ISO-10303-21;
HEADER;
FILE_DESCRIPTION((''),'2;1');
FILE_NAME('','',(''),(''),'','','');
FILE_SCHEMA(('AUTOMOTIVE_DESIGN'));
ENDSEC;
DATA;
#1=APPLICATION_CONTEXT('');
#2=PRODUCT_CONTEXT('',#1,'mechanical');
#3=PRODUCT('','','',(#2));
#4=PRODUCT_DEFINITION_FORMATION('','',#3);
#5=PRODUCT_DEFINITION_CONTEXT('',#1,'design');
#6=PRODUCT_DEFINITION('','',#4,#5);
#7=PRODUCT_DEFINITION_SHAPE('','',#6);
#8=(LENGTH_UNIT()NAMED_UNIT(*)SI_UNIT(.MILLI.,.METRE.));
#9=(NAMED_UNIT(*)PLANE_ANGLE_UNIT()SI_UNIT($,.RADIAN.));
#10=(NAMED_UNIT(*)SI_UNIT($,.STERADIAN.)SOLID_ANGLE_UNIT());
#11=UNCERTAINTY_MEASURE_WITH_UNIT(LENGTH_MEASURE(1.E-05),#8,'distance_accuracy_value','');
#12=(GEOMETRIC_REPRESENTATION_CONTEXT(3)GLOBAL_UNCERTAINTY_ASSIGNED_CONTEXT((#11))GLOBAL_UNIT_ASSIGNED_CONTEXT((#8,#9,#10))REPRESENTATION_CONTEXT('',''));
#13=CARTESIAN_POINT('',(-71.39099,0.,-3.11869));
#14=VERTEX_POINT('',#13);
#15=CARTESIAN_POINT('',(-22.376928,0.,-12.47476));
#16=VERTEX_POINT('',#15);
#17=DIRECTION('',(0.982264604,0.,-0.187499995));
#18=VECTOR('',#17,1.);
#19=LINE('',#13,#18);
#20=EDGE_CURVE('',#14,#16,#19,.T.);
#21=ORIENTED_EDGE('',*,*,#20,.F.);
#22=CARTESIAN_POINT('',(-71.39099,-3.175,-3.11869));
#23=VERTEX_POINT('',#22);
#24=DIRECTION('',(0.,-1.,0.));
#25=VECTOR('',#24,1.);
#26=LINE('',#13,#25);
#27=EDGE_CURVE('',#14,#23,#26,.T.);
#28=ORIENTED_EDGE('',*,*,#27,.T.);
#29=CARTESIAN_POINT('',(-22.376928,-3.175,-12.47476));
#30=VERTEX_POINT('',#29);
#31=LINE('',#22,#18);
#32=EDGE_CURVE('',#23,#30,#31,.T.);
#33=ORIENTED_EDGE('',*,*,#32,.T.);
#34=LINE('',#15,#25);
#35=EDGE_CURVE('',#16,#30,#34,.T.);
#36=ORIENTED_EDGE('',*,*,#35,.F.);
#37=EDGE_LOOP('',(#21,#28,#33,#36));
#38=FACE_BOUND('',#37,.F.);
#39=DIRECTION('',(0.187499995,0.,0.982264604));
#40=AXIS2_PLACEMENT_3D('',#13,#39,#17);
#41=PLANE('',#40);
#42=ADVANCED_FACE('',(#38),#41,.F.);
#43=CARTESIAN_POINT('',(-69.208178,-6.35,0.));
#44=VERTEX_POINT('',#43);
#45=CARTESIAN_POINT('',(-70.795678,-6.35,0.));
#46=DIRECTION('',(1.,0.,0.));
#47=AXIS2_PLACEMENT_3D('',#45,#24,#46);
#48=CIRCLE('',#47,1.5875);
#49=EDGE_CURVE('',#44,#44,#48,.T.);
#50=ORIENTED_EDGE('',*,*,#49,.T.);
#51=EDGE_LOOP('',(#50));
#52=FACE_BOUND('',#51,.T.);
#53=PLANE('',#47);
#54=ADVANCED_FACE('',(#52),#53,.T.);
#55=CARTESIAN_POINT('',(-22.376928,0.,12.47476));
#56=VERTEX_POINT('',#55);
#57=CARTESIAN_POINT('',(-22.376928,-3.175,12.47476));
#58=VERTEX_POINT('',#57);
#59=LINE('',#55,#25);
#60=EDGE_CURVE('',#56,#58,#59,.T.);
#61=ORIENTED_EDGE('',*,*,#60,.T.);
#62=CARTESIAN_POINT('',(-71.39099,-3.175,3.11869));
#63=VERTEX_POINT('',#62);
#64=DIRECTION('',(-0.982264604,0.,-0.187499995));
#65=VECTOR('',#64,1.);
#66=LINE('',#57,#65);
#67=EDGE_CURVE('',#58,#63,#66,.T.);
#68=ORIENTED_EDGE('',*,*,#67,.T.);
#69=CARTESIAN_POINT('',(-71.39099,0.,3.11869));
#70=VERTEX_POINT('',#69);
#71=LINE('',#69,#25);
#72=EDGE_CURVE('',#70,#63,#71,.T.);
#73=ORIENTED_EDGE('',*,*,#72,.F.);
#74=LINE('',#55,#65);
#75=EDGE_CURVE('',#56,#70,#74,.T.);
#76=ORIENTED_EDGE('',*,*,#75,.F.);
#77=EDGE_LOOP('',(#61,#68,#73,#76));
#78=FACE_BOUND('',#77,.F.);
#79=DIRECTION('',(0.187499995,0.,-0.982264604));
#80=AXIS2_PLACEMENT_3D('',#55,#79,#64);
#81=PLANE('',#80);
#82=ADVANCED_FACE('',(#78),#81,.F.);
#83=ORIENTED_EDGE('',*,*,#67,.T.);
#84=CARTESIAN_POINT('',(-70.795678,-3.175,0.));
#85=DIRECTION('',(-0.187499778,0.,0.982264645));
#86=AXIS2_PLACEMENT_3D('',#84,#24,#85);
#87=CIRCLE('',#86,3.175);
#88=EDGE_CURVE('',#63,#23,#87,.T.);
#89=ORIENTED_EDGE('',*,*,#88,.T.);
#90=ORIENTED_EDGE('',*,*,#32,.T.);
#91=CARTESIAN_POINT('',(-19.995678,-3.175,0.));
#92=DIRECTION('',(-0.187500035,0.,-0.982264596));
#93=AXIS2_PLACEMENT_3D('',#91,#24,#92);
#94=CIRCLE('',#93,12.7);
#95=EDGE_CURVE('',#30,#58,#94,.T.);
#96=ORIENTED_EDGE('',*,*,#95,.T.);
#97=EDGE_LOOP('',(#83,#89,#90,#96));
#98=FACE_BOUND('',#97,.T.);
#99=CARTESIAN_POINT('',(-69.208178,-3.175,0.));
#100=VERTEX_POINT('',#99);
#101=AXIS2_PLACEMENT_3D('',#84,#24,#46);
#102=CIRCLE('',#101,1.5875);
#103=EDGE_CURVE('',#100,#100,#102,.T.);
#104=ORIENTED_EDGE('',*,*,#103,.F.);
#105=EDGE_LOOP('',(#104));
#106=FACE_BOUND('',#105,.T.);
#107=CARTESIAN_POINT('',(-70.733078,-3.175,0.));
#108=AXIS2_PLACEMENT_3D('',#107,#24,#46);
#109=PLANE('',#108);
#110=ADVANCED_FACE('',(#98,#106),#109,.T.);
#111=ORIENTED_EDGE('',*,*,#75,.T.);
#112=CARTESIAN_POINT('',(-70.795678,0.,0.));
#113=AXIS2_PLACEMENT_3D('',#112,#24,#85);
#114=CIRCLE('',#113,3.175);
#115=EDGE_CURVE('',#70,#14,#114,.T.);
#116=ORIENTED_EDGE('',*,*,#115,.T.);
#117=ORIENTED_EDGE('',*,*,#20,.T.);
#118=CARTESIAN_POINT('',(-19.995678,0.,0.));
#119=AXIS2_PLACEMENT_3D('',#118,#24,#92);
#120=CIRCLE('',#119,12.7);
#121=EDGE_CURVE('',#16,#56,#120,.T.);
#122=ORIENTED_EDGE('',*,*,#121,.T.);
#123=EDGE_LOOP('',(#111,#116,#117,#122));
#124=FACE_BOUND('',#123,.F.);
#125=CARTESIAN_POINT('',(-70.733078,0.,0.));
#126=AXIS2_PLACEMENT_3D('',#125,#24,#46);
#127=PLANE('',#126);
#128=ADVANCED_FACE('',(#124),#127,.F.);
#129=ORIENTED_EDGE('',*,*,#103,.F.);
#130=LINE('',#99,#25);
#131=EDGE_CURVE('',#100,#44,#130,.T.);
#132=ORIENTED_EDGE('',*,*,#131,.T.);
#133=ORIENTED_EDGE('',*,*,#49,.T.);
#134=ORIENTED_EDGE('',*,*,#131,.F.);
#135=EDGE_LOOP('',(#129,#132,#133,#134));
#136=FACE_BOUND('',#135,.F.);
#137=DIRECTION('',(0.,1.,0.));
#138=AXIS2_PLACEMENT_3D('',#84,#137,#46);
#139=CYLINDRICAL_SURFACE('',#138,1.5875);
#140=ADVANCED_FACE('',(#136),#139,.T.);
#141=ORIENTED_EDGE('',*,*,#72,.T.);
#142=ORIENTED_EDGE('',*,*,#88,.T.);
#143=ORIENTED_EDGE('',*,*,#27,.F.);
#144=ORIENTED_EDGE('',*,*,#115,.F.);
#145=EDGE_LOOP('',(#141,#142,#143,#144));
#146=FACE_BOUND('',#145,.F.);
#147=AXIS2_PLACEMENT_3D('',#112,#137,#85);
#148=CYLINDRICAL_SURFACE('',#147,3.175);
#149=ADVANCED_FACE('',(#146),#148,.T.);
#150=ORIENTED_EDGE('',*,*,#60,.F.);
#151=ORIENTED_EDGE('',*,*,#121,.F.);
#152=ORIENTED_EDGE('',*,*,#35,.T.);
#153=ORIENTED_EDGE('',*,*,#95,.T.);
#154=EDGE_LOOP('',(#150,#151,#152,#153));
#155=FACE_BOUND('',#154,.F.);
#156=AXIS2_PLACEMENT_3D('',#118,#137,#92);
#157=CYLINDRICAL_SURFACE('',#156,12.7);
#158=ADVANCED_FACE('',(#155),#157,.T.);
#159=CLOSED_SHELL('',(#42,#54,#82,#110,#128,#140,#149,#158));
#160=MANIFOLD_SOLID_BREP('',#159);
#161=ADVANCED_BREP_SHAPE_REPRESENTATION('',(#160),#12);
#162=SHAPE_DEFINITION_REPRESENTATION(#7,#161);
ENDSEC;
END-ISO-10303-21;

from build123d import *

# Parameters (mm, degrees)
F1_DEPTH = 3.175
F2_R     = 1.5875
F3_DEPTH = 3.175


with BuildPart() as f1:
    # F0 (on Front) → F1 (new body)
    with BuildSketch(Plane.XZ):
        with BuildLine():
            ThreePointArc((-67.620678, 0), (-68.772004, 2.446502), (-71.39099, 3.11869))
            ThreePointArc((-71.39099, 3.11869), (-73.970678, 0), (-71.39099, -3.11869))
            ThreePointArc((-71.39099, -3.11869), (-68.772004, -2.446502), (-67.620678, 0))
        make_face()
        with BuildLine():
            Line((-22.376928, 12.47476), (-71.39099, 3.11869))
            ThreePointArc((-71.39099, 3.11869), (-68.772004, 2.446502), (-67.620678, 0))
            ThreePointArc((-67.620678, 0), (-68.772004, -2.446502), (-71.39099, -3.11869))
            Line((-71.39099, -3.11869), (-22.376928, -12.47476))
            ThreePointArc((-22.376928, -12.47476), (-7.295678, 0), (-22.376928, 12.47476))
        make_face()
    extrude(amount=F1_DEPTH)

    # F2 (on face) → F3 (join)
    with BuildSketch(Plane.XZ.offset(3.175)):
        with Locations((-70.795678, 0)):
            Circle(F2_R)
    extrude(amount=F3_DEPTH)


solid = f1.part
